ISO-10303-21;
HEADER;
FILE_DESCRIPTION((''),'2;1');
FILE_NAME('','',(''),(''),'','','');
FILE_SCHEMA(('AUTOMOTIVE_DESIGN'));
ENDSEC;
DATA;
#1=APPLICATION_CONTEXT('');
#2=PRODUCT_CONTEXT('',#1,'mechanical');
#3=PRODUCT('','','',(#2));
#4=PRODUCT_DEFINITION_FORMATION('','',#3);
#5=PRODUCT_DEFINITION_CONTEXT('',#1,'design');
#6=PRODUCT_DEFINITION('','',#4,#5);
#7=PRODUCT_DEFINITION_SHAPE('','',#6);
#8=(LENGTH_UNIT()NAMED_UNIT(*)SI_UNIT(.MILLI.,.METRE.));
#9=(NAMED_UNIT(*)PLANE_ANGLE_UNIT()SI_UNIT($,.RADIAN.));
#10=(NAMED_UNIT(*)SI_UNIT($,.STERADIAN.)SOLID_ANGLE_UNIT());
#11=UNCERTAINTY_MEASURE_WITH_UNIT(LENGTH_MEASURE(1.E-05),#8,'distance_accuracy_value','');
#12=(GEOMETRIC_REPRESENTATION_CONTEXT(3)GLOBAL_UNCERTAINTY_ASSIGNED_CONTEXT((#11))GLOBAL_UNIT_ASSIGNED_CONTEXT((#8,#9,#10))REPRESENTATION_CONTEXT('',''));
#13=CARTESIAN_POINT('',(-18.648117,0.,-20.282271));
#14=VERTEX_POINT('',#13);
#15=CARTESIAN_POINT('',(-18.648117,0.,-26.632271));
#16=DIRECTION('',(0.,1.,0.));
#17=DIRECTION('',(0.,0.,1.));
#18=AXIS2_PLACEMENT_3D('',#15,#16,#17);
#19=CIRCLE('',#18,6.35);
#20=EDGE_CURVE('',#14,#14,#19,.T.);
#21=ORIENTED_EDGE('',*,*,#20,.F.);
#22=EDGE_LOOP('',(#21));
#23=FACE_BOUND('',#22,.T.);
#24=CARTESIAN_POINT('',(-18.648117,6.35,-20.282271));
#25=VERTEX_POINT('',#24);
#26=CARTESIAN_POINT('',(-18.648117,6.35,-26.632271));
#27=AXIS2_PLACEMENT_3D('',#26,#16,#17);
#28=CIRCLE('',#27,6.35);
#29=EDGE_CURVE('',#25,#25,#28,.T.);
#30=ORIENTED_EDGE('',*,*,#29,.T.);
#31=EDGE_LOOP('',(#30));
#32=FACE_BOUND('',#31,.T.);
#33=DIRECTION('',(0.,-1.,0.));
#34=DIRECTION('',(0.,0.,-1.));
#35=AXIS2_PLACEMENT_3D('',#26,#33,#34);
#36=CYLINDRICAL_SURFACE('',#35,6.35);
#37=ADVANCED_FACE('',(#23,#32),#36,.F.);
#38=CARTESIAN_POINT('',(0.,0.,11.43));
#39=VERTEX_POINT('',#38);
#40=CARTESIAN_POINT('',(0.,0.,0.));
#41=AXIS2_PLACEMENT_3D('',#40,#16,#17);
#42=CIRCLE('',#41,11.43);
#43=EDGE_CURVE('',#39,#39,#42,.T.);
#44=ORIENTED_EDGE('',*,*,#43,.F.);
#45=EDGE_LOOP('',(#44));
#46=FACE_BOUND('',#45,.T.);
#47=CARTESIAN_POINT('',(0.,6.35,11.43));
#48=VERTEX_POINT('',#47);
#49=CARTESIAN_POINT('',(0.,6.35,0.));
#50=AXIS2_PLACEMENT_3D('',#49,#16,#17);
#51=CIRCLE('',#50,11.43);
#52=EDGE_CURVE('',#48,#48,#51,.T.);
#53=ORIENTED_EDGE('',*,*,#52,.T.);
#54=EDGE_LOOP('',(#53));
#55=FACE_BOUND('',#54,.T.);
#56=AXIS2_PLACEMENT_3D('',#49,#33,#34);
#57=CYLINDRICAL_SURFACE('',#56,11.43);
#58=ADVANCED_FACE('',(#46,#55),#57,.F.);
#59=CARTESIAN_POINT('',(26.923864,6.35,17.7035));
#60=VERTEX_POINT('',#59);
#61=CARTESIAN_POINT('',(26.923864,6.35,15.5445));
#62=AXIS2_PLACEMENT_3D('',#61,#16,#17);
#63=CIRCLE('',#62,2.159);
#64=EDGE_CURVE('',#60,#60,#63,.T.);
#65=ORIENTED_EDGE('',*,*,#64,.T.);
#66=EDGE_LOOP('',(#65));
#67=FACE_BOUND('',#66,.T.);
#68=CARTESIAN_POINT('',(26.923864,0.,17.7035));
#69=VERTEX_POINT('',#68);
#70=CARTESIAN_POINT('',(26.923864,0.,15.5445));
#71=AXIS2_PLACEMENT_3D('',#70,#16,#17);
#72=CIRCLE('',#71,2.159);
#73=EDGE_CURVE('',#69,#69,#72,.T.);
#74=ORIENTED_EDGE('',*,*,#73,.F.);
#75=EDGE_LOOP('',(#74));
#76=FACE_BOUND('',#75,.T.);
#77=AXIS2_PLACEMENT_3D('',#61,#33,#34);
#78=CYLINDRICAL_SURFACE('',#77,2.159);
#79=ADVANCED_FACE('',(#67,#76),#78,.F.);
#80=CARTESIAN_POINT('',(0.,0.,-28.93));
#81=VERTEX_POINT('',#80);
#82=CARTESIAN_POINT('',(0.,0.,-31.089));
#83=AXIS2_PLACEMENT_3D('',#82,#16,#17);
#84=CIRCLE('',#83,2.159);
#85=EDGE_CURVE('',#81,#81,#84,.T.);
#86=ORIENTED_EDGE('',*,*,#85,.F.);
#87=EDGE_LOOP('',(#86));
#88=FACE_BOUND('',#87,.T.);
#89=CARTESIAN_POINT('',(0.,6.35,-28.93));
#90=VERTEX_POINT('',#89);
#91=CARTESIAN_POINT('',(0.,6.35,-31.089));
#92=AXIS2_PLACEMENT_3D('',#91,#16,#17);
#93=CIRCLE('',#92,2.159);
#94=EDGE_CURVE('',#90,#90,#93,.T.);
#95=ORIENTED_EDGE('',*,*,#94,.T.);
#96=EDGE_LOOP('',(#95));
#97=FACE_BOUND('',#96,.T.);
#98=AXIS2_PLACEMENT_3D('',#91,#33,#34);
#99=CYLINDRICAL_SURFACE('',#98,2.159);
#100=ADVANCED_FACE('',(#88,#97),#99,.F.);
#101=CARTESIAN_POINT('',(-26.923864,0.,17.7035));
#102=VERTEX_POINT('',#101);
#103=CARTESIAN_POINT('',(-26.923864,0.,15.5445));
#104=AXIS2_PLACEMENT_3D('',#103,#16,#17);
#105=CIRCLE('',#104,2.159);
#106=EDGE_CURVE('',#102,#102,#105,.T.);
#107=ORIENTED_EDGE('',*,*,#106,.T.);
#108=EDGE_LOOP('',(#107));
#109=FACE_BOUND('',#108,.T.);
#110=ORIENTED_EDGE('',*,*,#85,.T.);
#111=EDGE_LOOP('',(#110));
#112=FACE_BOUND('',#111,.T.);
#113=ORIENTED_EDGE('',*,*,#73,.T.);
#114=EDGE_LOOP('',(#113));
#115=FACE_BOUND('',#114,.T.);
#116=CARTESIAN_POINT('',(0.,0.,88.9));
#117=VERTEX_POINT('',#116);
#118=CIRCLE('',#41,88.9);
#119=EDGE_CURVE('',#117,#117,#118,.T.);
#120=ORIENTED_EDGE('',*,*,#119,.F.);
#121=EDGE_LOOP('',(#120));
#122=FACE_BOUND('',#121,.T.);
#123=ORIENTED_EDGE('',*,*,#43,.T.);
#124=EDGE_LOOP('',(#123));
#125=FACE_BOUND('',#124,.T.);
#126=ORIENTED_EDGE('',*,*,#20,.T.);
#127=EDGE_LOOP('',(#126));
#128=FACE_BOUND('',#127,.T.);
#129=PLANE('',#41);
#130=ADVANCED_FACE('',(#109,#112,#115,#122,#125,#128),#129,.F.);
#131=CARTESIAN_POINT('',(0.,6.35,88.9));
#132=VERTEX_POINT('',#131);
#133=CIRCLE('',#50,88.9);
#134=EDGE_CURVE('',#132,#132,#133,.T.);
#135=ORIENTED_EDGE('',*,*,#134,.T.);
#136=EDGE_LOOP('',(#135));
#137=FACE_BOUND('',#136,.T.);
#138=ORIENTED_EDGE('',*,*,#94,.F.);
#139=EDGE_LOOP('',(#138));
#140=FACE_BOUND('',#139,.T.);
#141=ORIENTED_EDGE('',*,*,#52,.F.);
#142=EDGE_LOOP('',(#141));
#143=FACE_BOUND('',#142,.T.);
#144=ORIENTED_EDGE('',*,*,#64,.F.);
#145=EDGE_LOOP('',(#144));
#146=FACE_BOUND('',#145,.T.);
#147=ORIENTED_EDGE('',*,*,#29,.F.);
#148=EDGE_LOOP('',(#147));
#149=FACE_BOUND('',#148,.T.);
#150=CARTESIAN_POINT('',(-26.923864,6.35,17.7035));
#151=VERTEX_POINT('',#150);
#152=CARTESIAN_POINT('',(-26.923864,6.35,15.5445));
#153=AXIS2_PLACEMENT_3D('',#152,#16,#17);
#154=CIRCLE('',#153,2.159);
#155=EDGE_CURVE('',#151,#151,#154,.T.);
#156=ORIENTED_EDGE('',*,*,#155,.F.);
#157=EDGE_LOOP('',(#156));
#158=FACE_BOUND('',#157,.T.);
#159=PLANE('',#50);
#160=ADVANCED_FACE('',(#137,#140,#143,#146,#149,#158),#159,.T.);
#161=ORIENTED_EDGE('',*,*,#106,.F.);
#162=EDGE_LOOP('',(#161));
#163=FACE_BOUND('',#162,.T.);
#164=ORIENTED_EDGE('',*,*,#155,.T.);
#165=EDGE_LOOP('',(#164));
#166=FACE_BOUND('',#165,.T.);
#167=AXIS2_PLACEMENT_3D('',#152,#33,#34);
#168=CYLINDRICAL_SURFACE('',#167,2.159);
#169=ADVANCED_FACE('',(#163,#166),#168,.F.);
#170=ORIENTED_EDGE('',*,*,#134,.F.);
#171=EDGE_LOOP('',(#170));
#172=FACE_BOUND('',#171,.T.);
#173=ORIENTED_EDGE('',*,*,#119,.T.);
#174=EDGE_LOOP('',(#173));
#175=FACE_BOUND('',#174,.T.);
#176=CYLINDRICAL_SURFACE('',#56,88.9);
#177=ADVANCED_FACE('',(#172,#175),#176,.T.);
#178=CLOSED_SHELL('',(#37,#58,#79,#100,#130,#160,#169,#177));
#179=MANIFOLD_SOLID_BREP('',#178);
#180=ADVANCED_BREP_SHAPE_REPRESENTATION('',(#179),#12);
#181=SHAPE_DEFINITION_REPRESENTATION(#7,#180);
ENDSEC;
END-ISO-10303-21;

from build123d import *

# Parameters (mm, degrees)
SKETCH1_R           = 88.9
SKETCH1_R_2         = 11.43
SKETCH1_R_3         = 2.159
SKETCH1_R_4         = 6.35
BOSS_EXTRUDE1_DEPTH = 6.35


with BuildPart() as part:
    # Sketch1 → Boss-Extrude1 (new body)
    with BuildSketch(Plane(origin=(0, 0, 0), x_dir=(1, 0, 0), z_dir=(0, 1, 0))):
        with Locations(Location((0, 0, 0), (0, 0, 270))):
            Circle(SKETCH1_R)
        with Locations(Location((0, 0, 0), (0, 0, 270))):
            Circle(SKETCH1_R_2, mode=Mode.SUBTRACT)
        with Locations(Location((0, 31.089, 0), (0, 0, 270))):
            Circle(SKETCH1_R_3, mode=Mode.SUBTRACT)
        with Locations(Location((26.923863778, -15.5445, 0), (0, 0, 270))):
            Circle(SKETCH1_R_3, mode=Mode.SUBTRACT)
        with Locations(Location((-26.923863778, -15.5445, 0), (0, 0, 270))):
            Circle(SKETCH1_R_3, mode=Mode.SUBTRACT)
        with Locations(Location((-18.648117099, 26.632271264, 0), (0, 0, 270))):
            Circle(SKETCH1_R_4, mode=Mode.SUBTRACT)
    extrude(amount=BOSS_EXTRUDE1_DEPTH)


solid = part.part
